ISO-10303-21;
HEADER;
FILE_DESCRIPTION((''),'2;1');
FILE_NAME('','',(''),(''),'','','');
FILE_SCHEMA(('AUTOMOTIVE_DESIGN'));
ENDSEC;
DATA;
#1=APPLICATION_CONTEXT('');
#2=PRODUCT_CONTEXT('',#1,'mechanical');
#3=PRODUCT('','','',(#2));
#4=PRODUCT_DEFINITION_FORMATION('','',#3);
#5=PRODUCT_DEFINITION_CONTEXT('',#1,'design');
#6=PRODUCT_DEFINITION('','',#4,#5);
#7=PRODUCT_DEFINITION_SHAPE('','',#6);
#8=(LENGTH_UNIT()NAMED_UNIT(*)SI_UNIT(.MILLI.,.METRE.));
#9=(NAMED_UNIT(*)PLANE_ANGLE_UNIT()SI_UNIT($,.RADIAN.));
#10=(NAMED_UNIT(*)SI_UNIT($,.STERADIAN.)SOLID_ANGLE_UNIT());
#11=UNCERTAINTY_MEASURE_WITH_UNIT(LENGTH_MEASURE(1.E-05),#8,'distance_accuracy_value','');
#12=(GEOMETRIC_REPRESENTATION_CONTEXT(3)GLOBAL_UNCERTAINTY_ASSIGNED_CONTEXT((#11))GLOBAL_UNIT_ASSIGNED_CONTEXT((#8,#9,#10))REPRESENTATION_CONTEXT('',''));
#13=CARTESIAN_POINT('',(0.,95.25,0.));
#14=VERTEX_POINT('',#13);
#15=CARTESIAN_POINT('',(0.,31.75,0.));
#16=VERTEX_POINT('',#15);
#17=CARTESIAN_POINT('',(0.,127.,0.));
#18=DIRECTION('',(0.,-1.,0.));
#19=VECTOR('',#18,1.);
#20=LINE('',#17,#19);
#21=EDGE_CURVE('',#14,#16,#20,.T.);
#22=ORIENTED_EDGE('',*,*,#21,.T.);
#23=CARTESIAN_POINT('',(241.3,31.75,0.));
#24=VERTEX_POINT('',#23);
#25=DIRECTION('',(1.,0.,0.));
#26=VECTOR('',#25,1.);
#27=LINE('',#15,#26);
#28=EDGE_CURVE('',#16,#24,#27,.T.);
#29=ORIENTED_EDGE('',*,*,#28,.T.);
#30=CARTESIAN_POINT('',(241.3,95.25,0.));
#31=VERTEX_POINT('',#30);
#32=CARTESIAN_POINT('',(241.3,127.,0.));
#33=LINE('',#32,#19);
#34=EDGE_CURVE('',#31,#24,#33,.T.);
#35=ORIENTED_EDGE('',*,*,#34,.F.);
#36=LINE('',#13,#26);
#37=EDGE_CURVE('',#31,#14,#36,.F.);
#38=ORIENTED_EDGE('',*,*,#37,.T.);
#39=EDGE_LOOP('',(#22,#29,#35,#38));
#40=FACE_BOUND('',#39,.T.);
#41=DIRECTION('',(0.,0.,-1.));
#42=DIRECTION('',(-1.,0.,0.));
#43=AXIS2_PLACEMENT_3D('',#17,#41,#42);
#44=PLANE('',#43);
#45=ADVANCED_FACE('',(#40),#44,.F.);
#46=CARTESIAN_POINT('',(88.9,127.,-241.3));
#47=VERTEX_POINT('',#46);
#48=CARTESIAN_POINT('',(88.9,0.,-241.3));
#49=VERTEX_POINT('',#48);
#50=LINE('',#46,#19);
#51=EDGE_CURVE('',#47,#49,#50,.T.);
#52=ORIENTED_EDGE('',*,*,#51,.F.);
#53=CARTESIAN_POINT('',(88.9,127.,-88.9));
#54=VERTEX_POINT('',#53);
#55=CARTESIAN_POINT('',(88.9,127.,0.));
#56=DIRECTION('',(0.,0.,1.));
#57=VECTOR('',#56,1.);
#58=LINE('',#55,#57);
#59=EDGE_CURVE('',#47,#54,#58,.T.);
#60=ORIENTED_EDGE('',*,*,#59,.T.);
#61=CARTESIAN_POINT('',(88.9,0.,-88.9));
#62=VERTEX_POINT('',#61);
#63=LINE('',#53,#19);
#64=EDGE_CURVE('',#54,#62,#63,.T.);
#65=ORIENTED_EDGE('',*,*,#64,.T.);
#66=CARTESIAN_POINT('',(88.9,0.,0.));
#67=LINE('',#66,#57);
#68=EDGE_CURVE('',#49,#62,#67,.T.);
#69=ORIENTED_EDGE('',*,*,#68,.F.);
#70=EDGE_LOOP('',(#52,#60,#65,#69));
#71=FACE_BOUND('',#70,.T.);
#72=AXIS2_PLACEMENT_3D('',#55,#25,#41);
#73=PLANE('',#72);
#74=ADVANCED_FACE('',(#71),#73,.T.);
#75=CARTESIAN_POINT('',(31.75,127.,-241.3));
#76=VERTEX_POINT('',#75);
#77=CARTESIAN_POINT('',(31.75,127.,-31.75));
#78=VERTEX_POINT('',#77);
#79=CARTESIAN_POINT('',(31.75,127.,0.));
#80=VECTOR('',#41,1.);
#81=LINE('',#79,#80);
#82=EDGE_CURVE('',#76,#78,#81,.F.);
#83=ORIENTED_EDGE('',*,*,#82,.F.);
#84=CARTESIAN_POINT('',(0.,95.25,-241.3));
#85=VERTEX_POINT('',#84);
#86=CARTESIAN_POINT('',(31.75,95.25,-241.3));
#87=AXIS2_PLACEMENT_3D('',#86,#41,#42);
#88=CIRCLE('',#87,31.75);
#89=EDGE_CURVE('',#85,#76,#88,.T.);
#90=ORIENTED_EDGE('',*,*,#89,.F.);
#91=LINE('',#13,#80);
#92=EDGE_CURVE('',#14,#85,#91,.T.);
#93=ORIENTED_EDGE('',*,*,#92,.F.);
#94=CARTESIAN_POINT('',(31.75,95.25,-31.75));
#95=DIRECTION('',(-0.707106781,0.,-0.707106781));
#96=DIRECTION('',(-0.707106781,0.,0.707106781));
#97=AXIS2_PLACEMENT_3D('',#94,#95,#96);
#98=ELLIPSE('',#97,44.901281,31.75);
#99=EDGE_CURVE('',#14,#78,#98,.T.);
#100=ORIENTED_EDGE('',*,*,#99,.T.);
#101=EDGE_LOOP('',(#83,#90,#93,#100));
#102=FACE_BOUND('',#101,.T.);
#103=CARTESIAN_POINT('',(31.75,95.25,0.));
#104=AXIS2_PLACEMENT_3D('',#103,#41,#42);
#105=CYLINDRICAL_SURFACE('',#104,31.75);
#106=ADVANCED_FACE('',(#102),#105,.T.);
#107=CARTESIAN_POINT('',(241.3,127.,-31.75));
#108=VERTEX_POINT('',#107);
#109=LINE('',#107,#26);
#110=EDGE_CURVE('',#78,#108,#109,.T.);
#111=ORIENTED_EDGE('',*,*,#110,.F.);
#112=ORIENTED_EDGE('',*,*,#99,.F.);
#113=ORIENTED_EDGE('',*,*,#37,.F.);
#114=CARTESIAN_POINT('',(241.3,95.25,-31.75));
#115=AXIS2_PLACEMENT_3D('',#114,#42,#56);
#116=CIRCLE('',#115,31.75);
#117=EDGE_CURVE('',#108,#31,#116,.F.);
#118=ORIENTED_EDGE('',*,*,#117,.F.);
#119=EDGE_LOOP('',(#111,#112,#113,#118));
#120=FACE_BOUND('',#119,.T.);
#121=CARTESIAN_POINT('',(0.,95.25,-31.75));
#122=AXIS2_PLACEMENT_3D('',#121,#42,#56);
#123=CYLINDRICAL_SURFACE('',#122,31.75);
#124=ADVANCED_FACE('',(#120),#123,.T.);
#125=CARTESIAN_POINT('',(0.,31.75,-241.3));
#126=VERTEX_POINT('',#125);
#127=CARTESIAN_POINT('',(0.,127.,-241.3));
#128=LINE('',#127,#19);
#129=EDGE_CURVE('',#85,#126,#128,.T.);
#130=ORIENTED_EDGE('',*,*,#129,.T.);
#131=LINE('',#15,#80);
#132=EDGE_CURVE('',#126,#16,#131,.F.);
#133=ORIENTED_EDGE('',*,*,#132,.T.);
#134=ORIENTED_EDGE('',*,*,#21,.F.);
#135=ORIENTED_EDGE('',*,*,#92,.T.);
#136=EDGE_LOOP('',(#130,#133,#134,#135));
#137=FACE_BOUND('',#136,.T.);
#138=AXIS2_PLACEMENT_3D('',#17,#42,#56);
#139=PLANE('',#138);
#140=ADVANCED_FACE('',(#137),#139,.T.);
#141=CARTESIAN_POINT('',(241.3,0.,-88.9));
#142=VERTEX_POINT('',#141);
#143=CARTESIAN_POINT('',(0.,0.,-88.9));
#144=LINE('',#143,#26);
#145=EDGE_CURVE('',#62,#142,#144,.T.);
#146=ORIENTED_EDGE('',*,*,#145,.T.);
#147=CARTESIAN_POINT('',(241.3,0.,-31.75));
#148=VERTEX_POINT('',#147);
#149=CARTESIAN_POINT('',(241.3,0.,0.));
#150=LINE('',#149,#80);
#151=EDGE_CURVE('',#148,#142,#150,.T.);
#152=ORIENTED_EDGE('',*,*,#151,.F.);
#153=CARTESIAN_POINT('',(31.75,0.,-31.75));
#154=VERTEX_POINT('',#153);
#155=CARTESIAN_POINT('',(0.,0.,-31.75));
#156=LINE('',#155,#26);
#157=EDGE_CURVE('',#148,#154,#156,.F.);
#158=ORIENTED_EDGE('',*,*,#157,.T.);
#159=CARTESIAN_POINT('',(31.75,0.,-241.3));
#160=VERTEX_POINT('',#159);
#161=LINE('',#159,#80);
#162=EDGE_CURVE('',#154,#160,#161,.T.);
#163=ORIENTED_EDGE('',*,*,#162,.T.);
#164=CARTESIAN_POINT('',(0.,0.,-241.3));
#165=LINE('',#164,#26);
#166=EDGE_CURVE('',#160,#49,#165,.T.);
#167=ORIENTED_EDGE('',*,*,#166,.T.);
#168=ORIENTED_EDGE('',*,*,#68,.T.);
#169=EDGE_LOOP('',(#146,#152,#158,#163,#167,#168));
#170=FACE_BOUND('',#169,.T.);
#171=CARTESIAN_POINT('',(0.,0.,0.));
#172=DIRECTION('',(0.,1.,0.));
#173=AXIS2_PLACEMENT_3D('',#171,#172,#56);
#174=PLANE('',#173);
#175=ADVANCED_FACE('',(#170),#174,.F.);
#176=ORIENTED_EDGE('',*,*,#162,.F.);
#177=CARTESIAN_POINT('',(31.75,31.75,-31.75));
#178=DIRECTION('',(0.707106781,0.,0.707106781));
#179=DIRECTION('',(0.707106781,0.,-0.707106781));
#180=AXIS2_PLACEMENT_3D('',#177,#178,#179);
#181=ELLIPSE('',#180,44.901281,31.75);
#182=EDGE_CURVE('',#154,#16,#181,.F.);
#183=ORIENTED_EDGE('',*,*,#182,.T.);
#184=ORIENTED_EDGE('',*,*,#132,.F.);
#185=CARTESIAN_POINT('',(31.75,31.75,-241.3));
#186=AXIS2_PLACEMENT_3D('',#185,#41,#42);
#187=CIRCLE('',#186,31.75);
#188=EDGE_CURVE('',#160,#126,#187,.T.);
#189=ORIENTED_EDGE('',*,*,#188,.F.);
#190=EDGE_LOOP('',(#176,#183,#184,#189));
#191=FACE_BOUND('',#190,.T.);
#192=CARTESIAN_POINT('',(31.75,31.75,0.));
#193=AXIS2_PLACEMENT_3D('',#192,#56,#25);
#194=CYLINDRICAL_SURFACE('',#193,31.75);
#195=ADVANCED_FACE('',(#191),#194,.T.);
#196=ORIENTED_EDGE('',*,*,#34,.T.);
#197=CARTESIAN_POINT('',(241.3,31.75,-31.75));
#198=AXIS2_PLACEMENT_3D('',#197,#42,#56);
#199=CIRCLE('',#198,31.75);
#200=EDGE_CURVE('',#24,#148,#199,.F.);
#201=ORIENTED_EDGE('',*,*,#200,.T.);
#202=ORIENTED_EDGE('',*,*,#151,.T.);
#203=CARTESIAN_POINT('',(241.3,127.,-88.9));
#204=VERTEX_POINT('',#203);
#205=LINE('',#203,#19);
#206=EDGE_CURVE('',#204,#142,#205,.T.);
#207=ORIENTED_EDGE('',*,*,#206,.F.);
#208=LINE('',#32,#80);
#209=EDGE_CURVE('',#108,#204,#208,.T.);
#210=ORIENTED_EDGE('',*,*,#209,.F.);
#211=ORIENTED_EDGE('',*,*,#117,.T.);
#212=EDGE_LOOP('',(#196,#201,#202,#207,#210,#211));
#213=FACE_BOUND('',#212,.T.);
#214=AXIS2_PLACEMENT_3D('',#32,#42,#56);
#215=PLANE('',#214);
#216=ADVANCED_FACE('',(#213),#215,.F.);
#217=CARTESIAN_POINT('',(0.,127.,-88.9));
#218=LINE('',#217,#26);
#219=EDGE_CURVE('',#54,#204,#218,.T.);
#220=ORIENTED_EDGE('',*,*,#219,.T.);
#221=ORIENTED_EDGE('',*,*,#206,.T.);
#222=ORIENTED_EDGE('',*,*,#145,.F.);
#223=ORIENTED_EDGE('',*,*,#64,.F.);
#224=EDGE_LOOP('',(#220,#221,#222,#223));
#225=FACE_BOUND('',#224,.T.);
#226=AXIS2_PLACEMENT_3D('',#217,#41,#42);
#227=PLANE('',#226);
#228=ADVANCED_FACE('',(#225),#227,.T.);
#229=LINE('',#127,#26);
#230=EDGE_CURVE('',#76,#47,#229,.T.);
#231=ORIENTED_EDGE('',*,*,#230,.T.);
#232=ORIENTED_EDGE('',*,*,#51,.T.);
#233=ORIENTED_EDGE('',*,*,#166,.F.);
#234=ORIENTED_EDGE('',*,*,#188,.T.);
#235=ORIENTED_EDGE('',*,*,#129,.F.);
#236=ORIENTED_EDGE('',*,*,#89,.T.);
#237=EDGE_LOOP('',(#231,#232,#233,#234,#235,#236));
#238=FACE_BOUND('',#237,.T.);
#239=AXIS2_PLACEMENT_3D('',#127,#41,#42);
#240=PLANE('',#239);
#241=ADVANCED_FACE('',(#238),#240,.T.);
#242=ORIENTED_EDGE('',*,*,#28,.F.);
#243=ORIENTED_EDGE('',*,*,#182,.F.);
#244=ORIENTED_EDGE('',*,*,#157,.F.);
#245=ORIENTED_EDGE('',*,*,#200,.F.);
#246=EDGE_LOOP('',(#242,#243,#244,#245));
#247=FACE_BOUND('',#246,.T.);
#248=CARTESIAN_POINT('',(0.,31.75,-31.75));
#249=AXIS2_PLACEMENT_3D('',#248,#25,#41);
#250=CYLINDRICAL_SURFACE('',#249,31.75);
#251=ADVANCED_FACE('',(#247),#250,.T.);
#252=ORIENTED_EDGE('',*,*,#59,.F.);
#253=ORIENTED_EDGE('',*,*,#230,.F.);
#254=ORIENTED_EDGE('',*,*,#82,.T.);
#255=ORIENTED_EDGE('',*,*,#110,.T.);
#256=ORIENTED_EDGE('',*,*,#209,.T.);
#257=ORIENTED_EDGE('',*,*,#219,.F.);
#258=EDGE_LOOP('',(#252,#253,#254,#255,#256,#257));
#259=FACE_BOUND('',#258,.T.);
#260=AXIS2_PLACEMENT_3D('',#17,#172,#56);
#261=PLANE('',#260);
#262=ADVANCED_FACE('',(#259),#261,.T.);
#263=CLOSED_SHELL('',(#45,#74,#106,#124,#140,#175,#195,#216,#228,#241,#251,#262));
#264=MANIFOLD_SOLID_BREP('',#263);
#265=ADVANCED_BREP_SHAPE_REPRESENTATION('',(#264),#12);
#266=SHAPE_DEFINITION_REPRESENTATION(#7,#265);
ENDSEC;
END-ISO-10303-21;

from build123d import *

# Parameters (mm, degrees)
BOSS_EXTRUDE1_DEPTH = 127
FILLET1_R           = 31.75


with BuildPart() as part:
    # Sketch1 → Boss-Extrude1 (new body)
    with BuildSketch(Plane(origin=(0, 0, 0), x_dir=(1, 0, 0), z_dir=(0, 1, 0))):
        Polygon((88.9, 88.9), (88.9, 241.3), (0, 241.3), (0, 0), (241.3, 0), (241.3, 88.9), align=None)
    extrude(amount=BOSS_EXTRUDE1_DEPTH)

    # Fillet1
    fillet1_edges = [part.edges().sort_by_distance(p)[0] for p in [
        (0, 127, -120.65),
        (120.65, 127, 0),
        (120.65, 0, 0),
        (0, 0, -120.65),
    ]]
    fillet(fillet1_edges, radius=FILLET1_R)


solid = part.part
